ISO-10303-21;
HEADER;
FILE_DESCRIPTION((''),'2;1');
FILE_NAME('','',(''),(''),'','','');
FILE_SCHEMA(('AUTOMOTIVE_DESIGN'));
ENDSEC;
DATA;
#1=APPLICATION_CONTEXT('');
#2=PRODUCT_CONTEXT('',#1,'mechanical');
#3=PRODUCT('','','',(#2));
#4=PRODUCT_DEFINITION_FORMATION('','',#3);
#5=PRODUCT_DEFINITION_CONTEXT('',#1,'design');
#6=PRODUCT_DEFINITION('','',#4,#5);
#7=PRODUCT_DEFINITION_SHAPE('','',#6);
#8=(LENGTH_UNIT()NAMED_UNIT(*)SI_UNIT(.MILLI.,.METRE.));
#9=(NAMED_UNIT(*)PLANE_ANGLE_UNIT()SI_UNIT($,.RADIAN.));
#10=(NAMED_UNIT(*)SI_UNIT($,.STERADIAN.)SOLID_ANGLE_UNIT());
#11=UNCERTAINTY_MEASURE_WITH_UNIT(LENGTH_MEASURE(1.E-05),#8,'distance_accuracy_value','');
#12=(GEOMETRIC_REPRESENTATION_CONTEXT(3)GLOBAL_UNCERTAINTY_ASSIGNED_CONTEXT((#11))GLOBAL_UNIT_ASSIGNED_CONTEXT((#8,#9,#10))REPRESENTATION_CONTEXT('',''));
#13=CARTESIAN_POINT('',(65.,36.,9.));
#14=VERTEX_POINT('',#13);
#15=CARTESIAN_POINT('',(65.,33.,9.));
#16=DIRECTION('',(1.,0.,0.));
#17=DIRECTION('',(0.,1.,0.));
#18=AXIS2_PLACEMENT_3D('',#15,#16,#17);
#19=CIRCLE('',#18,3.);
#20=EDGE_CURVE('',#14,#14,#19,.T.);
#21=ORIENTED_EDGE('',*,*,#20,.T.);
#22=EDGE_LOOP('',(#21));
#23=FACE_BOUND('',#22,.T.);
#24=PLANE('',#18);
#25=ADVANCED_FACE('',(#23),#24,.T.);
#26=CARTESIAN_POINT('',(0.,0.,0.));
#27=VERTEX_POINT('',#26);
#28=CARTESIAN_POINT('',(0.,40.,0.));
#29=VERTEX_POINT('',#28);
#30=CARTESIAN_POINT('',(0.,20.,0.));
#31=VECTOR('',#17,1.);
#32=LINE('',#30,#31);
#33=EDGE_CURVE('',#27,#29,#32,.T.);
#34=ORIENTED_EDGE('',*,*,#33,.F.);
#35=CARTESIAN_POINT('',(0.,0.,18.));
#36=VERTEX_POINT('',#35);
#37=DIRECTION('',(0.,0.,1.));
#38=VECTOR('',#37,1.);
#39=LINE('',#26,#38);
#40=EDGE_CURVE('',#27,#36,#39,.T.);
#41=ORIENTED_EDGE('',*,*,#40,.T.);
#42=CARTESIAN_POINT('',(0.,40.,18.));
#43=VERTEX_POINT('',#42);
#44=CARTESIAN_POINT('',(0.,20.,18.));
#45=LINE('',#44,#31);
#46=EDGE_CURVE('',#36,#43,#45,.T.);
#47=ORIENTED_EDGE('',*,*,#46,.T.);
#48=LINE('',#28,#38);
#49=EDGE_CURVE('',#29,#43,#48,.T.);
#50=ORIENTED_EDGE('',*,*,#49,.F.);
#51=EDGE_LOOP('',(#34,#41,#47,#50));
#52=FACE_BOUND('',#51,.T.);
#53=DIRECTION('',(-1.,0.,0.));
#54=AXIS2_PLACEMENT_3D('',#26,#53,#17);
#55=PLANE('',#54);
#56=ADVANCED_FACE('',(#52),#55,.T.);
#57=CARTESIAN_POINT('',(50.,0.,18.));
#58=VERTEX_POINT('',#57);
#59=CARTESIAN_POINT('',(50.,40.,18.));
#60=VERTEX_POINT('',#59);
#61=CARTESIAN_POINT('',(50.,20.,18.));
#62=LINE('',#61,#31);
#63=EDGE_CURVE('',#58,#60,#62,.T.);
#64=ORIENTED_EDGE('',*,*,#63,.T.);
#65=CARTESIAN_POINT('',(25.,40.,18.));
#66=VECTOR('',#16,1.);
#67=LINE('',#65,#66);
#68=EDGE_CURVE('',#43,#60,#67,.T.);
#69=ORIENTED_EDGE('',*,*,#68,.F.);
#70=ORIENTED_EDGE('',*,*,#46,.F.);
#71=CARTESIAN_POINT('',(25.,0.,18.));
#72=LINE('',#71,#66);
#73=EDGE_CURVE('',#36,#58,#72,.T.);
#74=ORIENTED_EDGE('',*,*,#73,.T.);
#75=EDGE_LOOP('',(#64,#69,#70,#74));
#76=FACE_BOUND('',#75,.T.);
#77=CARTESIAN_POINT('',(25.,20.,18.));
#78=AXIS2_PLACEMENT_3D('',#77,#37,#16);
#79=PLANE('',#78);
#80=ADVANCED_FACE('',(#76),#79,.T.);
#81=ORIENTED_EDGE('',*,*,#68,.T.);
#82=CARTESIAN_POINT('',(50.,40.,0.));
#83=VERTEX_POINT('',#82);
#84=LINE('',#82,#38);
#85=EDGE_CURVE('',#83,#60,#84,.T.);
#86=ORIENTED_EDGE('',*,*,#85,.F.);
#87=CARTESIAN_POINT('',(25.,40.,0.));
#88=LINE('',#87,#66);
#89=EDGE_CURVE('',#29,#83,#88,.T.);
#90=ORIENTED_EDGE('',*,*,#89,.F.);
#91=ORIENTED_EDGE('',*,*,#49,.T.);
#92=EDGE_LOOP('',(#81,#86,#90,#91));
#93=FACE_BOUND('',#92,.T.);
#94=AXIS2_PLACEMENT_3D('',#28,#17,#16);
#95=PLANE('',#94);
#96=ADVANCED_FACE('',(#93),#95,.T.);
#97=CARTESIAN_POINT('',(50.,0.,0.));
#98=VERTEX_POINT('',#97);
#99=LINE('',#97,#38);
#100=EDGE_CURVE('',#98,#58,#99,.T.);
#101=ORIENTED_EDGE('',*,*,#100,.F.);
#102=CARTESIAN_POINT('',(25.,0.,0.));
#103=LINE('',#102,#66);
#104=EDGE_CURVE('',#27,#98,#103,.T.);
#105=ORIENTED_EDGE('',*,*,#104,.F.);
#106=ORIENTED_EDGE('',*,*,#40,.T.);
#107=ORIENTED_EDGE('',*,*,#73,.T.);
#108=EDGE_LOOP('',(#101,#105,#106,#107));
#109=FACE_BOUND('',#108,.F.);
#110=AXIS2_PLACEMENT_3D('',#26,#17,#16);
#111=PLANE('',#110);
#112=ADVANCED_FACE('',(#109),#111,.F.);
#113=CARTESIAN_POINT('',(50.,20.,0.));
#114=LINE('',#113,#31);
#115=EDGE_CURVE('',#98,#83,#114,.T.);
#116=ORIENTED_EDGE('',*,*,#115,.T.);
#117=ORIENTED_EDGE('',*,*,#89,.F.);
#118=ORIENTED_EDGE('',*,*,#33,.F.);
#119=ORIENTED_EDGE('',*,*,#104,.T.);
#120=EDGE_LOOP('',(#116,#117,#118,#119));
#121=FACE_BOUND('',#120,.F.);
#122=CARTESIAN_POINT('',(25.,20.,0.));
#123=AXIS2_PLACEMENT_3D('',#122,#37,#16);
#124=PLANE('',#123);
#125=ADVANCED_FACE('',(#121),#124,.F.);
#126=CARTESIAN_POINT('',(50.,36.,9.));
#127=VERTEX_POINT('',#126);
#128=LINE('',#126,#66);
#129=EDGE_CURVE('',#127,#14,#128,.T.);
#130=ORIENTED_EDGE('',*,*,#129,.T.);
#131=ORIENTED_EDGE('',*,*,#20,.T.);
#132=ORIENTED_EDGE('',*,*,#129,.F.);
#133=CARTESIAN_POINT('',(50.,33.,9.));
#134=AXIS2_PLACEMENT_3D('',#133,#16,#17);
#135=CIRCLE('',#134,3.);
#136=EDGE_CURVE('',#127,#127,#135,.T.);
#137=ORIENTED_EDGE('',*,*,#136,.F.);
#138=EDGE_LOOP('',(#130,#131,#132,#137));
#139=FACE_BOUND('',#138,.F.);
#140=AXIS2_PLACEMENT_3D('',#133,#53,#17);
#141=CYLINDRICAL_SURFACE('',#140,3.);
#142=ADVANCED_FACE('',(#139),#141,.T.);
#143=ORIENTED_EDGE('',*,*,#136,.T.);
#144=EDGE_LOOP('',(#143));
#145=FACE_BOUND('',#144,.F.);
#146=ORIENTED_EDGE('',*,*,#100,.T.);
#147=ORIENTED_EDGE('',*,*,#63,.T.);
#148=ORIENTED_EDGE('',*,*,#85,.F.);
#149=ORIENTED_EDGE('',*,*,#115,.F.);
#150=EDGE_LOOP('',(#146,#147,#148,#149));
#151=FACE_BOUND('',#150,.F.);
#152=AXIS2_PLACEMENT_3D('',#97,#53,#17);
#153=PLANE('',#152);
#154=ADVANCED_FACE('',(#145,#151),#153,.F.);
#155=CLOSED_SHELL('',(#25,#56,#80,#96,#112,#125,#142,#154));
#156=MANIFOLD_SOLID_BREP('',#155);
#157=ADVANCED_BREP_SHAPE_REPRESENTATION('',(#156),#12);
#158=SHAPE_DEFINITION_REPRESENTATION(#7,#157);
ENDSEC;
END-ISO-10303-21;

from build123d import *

# Parameters (mm, degrees)
SKETCH_W     = 50
SKETCH_H     = 40
PAD_DEPTH    = 18
SKETCH001_R  = 3
PAD001_DEPTH = 15


with BuildPart() as part:
    # Sketch → Pad (new body)
    with BuildSketch(Plane.XY):
        with Locations((25, 20)):
            Rectangle(SKETCH_W, SKETCH_H)
    extrude(amount=PAD_DEPTH)

    # Sketch001 (on Face2 of Pad) → Pad001 (join)
    with BuildSketch(Plane.YZ.offset(50)):
        with Locations((33, 9)):
            Circle(SKETCH001_R)
    extrude(amount=PAD001_DEPTH)


solid = part.part
